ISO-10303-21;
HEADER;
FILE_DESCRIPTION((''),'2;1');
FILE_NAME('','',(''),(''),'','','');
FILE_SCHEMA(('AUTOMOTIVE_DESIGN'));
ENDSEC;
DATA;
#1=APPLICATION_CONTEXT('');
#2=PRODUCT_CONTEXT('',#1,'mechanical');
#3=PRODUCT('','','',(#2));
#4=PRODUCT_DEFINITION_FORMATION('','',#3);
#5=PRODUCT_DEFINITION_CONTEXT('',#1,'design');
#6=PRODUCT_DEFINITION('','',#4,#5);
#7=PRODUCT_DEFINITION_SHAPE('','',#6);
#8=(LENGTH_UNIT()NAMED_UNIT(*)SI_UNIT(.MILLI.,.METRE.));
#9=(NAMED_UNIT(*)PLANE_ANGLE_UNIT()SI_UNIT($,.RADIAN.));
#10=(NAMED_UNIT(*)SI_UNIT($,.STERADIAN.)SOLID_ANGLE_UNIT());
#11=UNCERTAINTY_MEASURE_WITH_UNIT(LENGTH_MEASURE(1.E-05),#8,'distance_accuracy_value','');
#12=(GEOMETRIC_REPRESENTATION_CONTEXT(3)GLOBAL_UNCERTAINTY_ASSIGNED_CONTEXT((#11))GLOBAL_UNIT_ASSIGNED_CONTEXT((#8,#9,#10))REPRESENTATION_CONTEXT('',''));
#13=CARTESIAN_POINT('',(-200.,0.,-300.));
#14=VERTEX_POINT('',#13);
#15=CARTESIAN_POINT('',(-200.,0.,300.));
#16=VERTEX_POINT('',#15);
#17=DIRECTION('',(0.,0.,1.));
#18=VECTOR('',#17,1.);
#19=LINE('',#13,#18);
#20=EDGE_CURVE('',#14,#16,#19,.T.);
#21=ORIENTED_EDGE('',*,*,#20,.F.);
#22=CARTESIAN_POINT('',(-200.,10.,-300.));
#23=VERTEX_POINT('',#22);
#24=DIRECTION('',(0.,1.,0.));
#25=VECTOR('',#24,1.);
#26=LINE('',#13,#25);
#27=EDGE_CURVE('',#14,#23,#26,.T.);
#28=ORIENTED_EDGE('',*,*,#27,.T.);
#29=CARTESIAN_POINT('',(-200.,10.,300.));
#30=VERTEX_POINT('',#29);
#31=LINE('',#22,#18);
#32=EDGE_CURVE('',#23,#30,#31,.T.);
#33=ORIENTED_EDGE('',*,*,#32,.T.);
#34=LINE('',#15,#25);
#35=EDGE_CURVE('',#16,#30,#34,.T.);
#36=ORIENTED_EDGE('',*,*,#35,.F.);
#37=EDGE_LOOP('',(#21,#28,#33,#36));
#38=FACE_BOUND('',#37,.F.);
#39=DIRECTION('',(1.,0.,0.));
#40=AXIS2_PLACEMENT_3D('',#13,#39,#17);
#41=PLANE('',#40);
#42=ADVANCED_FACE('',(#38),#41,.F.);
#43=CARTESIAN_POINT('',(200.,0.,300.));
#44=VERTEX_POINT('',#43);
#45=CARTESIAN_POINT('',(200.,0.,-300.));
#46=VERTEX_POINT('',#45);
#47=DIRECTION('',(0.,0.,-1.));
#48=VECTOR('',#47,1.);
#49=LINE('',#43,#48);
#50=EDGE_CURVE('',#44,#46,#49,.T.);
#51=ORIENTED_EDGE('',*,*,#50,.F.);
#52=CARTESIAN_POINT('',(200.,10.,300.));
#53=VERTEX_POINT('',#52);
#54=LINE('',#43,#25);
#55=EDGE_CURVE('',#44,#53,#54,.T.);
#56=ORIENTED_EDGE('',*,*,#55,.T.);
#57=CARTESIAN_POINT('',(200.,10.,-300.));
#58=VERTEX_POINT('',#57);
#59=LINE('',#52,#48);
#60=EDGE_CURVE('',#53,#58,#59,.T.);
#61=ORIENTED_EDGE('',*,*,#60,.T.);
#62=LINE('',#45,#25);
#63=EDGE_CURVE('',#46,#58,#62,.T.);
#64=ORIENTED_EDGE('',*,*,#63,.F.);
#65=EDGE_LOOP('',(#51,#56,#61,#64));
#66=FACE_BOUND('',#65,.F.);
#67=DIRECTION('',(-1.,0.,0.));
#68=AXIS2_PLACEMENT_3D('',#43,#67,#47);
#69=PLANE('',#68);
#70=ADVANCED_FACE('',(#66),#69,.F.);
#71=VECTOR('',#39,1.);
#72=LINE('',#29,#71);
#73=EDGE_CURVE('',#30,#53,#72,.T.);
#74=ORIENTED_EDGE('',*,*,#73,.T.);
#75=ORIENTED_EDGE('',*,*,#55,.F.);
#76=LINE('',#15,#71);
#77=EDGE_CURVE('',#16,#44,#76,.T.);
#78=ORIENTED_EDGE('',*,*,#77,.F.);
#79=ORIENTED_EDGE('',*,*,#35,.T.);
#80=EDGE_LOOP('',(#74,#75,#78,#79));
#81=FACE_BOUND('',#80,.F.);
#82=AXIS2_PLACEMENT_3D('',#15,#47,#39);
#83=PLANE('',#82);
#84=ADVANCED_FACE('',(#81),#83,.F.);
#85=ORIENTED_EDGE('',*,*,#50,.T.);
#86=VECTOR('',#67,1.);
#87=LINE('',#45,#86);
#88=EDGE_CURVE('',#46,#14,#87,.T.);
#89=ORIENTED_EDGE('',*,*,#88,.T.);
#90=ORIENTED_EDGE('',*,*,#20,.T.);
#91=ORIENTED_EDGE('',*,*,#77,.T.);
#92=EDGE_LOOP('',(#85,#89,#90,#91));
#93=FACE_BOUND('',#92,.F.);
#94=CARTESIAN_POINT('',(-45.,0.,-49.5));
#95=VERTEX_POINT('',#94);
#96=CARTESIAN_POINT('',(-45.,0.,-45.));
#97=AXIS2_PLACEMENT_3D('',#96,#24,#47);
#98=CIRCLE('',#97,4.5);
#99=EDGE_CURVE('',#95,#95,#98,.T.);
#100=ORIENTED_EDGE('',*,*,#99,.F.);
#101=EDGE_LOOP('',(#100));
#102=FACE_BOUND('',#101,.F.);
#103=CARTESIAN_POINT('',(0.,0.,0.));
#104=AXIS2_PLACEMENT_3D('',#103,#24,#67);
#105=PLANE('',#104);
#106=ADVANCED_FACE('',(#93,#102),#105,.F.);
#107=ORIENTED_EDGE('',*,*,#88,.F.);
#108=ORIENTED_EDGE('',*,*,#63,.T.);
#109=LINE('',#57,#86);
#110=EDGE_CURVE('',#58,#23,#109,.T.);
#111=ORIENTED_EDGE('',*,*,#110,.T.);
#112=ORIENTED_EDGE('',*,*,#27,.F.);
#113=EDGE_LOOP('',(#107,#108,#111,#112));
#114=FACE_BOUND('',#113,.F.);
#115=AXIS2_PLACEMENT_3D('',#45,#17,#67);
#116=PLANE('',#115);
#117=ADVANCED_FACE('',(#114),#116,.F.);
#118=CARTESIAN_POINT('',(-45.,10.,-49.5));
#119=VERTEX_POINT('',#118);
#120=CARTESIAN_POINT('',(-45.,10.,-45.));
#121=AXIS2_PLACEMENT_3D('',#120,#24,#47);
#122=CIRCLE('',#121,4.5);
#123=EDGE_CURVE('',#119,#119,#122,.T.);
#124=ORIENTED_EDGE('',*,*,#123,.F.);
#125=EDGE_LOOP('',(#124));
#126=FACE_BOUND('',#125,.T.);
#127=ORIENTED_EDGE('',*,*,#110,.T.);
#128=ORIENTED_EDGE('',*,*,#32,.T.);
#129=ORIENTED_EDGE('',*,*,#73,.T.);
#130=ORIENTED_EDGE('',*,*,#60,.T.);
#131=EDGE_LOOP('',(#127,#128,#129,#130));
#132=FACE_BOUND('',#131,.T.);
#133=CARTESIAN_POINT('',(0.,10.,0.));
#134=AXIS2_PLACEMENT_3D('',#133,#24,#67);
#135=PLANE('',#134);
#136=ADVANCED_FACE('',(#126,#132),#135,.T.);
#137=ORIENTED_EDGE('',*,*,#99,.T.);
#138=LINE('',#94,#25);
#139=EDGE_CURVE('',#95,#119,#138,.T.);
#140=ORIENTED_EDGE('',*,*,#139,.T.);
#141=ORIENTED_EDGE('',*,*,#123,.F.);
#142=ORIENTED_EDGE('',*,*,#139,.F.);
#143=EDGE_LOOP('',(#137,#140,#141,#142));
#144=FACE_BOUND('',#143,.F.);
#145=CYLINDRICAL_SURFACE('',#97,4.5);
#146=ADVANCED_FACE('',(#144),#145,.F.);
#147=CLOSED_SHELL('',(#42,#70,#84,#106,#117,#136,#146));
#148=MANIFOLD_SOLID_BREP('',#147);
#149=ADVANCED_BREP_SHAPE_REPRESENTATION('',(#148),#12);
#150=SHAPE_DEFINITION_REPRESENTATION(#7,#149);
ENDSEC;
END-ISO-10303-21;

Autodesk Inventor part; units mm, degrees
ref_plane "YZ Plane" through (0, 0, 0) normal (1, 0, 0) x (0, 1, 0)
ref_plane "XZ Plane" through (0, 0, 0) normal (0, 1, 0) x (-1, 0, 0)
ref_plane "XY Plane" through (0, 0, 0) normal (0, 0, 1) x (1, 0, 0)
sketch "Sketch1" plane through (0, 0, 0) normal (0, 1, 0) x (-1, 0, 0)
  line L0 (-200, -300) -> (200, -300)
  line L1 (200, -300) -> (200, 300)
  line L2 (200, 300) -> (-200, 300)
  line L3 (-200, 300) -> (-200, -300)
  line L4 (-200, -300) -> (200, 300) construction
  line L5 (200, -300) -> (-200, 300) construction
  point P0 (0, 0)
  dimension "d0" = 600
  dimension "d1" = 400
extrude "Extrusion1" add sketch "Sketch1" along normal blind 10
sketch "Sketch2" plane through (0, 0, 0) normal (0, -1, 0) x (1, 0, 0)
  point P0 (-45, -45)
hole "Hole1" at (-45, 0, -45) direction (0, 1, 0) diameter 9 end through all
properties part number "PlaqueSupport" material "Steel"
